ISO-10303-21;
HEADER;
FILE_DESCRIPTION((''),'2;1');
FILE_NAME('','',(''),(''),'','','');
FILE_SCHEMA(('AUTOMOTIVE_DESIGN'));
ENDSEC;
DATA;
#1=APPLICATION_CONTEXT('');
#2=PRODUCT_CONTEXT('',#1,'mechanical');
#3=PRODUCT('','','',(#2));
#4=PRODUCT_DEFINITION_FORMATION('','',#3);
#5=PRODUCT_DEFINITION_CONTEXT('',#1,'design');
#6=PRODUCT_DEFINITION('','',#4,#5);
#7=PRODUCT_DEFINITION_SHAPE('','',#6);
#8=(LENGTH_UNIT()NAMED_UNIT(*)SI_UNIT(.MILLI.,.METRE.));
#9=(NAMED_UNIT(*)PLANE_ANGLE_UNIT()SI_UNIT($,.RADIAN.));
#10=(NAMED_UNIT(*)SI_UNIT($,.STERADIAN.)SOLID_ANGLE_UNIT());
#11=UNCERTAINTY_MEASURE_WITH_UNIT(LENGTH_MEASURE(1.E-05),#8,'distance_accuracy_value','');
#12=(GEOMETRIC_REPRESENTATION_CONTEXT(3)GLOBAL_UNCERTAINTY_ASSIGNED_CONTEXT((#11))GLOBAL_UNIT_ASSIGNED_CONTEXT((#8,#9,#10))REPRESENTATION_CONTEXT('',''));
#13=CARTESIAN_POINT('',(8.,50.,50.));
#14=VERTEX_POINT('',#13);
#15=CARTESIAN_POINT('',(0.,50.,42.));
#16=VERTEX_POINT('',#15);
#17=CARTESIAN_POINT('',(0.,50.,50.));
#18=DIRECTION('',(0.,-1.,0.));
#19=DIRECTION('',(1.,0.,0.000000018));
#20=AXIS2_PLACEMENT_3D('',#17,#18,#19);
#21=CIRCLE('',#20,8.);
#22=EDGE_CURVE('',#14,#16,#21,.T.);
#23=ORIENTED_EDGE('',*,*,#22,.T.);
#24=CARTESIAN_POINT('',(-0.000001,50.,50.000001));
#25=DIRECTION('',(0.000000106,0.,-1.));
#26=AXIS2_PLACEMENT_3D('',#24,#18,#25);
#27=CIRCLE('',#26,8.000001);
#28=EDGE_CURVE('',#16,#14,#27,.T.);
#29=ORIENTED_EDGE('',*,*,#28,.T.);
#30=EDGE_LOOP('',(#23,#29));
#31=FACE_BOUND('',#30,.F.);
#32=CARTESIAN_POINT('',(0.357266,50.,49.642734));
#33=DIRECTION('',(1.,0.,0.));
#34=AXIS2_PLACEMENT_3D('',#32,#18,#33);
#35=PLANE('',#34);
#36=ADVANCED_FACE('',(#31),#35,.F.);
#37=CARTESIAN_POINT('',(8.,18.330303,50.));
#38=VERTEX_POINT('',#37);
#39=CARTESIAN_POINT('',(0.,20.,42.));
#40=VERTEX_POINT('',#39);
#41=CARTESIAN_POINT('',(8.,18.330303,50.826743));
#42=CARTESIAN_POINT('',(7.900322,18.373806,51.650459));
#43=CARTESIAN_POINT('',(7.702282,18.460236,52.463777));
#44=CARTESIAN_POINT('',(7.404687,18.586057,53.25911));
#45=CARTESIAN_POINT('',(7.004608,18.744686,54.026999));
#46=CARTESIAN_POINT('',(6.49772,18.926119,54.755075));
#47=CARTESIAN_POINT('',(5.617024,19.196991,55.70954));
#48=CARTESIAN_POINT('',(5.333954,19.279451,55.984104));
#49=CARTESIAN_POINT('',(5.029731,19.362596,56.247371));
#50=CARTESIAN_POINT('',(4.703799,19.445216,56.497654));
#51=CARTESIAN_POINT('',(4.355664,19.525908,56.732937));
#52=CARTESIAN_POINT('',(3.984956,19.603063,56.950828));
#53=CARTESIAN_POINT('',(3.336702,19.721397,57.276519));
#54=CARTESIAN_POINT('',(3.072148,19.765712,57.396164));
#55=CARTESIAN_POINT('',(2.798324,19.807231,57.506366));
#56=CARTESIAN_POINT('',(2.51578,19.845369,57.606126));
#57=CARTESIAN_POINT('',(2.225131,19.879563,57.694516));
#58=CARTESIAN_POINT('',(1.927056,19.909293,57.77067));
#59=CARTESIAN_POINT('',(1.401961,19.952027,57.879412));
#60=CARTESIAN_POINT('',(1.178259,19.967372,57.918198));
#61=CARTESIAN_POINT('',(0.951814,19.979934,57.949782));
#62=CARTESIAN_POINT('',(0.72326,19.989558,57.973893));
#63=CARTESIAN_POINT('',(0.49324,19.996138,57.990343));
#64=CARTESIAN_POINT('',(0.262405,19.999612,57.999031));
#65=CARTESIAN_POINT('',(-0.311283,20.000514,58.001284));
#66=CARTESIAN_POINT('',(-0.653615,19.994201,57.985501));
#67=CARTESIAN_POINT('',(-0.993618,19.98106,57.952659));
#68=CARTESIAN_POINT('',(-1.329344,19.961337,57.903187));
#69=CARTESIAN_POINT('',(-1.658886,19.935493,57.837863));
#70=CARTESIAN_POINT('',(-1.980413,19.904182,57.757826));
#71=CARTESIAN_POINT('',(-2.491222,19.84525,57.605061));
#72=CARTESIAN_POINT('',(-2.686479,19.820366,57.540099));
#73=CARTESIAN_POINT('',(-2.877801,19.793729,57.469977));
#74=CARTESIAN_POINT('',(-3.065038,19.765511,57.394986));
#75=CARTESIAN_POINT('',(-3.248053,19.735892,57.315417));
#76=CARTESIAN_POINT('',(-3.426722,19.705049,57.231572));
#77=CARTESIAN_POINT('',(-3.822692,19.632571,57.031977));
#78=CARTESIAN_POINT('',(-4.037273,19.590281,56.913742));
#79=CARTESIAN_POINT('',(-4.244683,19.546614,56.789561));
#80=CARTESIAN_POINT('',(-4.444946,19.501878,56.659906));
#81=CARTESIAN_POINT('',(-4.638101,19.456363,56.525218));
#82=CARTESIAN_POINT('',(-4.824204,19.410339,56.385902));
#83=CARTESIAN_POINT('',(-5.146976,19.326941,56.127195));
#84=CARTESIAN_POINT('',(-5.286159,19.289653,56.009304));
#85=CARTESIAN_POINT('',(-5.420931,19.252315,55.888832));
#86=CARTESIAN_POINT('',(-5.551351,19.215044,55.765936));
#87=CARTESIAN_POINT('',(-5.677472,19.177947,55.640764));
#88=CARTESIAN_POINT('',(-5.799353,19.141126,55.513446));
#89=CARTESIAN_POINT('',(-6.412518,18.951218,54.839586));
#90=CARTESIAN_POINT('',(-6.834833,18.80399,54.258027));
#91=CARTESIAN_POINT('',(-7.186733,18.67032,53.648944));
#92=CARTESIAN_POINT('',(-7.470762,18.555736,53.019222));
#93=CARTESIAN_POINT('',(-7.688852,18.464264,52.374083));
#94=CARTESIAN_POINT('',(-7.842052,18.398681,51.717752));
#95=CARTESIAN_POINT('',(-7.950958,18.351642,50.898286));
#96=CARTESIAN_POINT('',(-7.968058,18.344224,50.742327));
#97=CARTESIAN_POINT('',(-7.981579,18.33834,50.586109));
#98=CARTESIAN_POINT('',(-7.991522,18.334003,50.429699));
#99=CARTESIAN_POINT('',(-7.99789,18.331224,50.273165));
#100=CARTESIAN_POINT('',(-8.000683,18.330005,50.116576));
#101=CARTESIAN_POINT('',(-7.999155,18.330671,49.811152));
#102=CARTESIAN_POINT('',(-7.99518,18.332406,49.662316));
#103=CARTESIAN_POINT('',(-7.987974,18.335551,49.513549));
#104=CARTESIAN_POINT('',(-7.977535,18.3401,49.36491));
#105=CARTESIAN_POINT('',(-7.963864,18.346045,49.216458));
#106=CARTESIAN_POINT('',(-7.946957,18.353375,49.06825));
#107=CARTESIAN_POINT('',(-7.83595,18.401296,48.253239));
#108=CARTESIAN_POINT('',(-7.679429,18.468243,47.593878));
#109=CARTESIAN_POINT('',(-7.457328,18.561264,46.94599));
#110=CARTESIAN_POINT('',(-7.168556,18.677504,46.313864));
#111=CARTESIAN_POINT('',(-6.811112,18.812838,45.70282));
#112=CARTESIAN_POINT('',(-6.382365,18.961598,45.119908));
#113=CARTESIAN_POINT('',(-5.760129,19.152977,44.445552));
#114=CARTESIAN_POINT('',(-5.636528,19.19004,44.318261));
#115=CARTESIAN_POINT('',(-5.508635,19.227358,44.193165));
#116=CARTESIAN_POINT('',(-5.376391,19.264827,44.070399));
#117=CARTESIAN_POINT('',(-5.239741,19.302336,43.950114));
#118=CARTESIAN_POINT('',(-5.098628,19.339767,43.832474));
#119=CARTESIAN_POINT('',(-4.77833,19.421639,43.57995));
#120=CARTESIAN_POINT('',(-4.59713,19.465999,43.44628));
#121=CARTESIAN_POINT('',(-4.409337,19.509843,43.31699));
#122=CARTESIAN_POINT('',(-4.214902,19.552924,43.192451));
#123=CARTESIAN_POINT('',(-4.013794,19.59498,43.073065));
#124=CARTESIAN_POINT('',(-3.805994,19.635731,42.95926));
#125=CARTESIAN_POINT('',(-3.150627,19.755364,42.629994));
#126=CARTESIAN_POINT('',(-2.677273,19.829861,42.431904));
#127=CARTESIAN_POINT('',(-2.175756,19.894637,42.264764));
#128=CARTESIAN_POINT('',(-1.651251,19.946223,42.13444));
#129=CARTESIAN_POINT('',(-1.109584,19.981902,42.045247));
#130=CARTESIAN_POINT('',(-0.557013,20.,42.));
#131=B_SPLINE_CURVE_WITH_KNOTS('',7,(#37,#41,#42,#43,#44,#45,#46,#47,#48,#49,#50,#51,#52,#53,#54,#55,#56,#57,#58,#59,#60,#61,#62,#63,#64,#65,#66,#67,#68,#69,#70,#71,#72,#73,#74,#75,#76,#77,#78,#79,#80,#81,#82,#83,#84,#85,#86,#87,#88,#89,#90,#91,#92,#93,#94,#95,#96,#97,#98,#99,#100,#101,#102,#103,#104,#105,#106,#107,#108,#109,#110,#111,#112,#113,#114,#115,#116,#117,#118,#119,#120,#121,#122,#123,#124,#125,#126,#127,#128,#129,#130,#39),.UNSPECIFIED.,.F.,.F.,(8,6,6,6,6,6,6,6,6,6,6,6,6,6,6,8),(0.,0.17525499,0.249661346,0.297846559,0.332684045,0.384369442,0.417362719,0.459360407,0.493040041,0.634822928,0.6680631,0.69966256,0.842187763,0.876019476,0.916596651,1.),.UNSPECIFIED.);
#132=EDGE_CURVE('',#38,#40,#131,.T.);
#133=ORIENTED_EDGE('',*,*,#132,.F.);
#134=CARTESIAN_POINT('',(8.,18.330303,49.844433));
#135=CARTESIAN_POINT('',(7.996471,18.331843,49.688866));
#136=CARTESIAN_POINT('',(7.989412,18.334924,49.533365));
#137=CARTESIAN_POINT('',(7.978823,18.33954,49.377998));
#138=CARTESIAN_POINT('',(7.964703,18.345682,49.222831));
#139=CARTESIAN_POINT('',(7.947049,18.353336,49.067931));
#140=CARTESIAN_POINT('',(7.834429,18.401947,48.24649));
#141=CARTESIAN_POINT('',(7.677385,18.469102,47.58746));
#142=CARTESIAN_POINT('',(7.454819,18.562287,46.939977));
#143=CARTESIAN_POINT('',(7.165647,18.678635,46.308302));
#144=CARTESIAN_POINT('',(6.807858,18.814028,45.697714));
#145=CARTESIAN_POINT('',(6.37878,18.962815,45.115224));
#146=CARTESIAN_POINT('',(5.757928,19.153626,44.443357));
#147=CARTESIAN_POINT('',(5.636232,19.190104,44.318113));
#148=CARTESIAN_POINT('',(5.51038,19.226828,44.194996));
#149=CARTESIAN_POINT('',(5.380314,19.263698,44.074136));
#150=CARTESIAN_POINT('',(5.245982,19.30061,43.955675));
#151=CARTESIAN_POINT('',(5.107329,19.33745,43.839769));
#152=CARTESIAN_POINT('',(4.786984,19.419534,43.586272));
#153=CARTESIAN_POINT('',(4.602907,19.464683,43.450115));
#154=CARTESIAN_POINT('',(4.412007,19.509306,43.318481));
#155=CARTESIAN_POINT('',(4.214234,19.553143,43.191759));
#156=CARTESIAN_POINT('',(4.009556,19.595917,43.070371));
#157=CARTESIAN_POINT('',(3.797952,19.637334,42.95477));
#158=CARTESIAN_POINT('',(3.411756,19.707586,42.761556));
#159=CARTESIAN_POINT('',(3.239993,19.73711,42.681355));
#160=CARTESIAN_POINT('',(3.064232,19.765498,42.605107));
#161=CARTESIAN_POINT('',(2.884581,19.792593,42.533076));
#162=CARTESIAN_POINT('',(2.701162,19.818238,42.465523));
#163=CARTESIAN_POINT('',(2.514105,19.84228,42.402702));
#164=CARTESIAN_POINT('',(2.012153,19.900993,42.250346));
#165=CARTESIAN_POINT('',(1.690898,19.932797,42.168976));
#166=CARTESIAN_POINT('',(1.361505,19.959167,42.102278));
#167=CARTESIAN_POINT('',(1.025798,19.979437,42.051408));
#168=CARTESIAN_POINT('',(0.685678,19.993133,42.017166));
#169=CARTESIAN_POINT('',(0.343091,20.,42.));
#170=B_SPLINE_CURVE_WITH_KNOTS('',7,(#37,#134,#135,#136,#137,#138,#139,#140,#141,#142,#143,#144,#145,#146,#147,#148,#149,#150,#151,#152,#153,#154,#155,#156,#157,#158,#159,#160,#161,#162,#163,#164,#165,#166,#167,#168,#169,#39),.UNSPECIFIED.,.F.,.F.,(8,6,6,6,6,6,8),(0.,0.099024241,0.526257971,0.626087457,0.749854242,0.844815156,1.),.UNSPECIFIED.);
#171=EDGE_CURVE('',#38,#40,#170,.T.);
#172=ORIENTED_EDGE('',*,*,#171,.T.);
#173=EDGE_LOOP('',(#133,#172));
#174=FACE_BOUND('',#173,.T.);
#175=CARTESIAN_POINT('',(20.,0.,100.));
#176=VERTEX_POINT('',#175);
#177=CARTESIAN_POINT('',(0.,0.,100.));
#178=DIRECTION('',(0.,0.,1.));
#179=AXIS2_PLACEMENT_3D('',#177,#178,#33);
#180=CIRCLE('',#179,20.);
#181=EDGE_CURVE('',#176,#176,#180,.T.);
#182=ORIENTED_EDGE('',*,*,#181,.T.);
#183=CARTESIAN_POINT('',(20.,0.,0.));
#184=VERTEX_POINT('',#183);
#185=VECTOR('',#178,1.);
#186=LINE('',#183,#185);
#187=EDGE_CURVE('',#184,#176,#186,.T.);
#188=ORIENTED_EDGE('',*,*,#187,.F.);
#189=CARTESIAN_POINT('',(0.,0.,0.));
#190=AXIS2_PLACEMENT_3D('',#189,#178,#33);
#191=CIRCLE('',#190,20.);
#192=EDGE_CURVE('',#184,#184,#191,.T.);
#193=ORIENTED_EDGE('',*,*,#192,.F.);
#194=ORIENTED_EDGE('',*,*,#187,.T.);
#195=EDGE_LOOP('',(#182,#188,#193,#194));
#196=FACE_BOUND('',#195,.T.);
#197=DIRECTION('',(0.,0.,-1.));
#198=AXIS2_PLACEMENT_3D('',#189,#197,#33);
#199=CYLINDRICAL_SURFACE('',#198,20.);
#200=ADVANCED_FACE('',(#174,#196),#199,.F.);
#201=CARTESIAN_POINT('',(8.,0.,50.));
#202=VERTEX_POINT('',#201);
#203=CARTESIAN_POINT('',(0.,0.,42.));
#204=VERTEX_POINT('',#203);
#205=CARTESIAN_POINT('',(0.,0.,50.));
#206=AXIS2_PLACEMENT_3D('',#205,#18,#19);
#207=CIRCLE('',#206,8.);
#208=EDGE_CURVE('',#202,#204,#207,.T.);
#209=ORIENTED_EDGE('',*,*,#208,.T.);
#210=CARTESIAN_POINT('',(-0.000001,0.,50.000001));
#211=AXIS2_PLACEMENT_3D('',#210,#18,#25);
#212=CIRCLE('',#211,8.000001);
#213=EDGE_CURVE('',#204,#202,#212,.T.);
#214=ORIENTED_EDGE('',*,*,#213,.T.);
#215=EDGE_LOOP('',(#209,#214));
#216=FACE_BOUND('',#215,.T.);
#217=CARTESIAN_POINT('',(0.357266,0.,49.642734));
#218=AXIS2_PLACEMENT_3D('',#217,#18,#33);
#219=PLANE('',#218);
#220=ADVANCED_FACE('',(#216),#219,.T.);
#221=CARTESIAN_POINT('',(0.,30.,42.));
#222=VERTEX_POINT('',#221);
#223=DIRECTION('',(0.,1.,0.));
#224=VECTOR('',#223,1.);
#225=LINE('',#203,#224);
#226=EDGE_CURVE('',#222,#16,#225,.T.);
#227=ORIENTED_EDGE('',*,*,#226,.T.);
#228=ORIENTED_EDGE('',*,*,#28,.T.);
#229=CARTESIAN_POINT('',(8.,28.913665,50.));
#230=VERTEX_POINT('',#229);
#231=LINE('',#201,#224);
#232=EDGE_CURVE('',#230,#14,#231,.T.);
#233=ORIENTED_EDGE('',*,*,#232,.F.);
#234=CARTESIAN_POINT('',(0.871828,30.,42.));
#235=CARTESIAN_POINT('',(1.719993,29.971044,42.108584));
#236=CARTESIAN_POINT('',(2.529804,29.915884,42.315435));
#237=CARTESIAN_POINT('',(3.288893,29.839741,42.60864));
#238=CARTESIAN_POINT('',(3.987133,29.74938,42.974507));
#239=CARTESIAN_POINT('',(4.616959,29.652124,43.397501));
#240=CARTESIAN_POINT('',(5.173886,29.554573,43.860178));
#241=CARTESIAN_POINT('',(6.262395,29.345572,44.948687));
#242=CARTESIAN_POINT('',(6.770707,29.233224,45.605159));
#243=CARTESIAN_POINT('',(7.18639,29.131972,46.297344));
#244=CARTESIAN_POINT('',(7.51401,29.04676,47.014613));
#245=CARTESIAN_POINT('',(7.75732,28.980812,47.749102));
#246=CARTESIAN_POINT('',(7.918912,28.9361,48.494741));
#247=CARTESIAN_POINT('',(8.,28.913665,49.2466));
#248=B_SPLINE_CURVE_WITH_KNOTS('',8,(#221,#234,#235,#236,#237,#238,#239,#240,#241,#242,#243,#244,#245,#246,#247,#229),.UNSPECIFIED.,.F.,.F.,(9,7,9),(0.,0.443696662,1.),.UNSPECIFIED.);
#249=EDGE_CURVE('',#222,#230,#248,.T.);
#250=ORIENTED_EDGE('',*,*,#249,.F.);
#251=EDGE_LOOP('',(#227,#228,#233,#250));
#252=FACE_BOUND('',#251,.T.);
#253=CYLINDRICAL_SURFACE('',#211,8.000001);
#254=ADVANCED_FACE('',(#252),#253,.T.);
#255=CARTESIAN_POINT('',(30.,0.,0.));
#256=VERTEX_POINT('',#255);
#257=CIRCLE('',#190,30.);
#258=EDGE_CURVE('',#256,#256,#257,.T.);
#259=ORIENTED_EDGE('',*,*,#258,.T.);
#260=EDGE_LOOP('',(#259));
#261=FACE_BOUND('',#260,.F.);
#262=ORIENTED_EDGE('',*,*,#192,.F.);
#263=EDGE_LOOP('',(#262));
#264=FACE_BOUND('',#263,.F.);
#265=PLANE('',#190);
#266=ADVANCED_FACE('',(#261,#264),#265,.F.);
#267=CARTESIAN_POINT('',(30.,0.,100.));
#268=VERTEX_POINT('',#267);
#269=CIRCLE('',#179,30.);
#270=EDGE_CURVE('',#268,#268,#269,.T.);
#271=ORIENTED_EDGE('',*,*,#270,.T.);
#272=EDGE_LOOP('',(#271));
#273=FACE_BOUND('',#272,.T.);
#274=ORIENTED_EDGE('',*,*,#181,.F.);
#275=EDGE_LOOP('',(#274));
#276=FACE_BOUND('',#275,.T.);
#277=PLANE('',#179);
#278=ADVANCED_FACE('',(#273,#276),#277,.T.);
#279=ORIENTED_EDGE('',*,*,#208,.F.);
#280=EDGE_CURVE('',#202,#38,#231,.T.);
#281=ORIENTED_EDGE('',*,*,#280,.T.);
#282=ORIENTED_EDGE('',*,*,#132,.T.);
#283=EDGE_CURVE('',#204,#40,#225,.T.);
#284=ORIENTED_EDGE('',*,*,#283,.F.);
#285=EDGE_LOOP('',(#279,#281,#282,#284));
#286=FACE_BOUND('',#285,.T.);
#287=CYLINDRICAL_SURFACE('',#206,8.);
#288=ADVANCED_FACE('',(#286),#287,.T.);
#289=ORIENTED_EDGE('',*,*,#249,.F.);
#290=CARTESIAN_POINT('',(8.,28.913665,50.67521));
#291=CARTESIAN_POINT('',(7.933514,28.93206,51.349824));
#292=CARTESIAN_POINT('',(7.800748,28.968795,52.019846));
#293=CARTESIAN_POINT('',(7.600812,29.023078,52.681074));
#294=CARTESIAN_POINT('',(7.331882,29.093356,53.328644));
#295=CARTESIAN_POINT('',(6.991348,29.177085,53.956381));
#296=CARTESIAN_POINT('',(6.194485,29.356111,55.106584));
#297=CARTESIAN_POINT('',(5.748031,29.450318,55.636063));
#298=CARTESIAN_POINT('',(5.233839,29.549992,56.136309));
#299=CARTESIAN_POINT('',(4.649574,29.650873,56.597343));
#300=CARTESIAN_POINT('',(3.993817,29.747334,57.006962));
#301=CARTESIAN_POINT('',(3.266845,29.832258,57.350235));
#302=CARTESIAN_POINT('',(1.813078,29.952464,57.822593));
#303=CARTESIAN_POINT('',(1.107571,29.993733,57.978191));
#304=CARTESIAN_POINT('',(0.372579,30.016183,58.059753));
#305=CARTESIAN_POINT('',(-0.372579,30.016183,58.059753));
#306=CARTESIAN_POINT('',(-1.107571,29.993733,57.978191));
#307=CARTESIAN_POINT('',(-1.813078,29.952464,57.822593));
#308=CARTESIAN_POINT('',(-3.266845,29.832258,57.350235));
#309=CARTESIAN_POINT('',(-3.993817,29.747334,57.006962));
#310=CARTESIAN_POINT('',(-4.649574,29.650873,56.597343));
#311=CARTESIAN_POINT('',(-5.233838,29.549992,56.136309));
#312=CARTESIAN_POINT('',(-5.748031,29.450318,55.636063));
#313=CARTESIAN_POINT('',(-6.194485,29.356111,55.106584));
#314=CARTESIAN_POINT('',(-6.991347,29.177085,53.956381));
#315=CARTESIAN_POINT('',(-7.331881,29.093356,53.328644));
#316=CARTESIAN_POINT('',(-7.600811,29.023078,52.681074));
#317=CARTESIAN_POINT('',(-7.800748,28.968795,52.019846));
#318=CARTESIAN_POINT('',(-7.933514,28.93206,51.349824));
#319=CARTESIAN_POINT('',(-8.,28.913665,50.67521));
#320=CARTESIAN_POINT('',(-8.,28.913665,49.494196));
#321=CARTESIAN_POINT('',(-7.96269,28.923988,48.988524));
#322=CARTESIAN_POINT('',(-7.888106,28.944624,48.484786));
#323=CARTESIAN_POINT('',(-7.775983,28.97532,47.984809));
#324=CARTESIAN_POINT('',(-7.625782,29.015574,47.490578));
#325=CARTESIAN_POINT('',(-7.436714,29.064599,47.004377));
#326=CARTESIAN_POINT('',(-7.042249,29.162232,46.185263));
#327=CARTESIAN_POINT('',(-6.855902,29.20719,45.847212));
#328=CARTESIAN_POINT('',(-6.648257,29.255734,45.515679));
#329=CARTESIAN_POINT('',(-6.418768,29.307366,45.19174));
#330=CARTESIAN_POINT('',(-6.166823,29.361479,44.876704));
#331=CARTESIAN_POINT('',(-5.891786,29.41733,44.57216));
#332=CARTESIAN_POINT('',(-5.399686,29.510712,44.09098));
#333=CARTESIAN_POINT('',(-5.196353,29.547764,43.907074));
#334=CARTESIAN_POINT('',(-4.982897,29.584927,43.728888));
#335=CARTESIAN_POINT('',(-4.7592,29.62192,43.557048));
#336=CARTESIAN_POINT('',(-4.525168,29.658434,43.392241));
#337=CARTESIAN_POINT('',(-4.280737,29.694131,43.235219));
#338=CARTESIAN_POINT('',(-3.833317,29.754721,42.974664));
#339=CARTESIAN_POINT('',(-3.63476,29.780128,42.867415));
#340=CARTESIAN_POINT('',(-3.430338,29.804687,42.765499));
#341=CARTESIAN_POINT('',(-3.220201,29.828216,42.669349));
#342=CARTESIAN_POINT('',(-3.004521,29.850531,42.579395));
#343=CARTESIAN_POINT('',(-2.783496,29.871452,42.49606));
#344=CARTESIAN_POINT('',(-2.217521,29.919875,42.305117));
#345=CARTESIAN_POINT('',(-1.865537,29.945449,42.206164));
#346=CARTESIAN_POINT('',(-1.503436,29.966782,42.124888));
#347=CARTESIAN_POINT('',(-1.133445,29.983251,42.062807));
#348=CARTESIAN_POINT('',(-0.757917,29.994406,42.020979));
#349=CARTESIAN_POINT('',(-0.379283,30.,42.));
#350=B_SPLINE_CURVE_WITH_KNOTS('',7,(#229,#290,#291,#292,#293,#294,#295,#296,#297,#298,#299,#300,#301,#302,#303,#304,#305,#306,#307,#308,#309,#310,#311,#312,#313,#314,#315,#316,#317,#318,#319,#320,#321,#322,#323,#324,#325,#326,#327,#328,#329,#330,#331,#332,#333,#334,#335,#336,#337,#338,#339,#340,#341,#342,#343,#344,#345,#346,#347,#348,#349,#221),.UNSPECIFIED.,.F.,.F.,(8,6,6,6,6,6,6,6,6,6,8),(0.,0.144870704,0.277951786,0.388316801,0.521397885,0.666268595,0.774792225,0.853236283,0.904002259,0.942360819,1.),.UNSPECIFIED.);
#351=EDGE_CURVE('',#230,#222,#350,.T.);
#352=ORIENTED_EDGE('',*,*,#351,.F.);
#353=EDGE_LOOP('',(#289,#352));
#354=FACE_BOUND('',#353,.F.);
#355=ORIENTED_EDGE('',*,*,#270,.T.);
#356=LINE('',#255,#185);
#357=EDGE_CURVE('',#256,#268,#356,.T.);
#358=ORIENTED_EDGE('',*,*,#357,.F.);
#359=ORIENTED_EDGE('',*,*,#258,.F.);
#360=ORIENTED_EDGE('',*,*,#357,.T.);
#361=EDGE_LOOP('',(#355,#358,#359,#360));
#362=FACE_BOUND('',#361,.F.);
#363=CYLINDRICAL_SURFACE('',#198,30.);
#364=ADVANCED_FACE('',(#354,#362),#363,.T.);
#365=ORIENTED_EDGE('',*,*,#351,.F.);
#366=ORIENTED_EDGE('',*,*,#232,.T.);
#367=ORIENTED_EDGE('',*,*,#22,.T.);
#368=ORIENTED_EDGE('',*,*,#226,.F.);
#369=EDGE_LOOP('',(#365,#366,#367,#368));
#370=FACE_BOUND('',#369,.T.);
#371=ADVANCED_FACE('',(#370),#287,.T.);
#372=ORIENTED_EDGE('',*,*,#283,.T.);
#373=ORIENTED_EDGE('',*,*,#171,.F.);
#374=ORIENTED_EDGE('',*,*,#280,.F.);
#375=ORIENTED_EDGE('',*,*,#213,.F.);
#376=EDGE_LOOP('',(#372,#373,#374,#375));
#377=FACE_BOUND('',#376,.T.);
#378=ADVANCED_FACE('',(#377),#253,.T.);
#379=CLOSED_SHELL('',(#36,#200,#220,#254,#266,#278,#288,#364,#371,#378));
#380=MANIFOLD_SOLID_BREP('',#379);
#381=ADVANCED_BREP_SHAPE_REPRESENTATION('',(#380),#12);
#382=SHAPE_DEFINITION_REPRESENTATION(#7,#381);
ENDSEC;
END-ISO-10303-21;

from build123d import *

# Parameters (mm, degrees)
F0_R     = 30
F0_R_2   = 20
F1_DEPTH = 100
F3_DEPTH = 50


with BuildPart() as f1:
    # F0 (on Top) → F1 (new body)
    with BuildSketch(Plane.XY):
        Circle(F0_R)
        Circle(F0_R_2, mode=Mode.SUBTRACT)
    extrude(amount=F1_DEPTH)

    # F2 (on Front) → F3 (join)
    with BuildSketch(Plane.XZ):
        with BuildLine():
            ThreePointArc((0, 42), (5.656854, 44.343146), (8, 50))
            ThreePointArc((8, 50), (-5.656854, 55.656854), (0, 42))
        make_face()
    extrude(amount=-F3_DEPTH)


solid = f1.part
